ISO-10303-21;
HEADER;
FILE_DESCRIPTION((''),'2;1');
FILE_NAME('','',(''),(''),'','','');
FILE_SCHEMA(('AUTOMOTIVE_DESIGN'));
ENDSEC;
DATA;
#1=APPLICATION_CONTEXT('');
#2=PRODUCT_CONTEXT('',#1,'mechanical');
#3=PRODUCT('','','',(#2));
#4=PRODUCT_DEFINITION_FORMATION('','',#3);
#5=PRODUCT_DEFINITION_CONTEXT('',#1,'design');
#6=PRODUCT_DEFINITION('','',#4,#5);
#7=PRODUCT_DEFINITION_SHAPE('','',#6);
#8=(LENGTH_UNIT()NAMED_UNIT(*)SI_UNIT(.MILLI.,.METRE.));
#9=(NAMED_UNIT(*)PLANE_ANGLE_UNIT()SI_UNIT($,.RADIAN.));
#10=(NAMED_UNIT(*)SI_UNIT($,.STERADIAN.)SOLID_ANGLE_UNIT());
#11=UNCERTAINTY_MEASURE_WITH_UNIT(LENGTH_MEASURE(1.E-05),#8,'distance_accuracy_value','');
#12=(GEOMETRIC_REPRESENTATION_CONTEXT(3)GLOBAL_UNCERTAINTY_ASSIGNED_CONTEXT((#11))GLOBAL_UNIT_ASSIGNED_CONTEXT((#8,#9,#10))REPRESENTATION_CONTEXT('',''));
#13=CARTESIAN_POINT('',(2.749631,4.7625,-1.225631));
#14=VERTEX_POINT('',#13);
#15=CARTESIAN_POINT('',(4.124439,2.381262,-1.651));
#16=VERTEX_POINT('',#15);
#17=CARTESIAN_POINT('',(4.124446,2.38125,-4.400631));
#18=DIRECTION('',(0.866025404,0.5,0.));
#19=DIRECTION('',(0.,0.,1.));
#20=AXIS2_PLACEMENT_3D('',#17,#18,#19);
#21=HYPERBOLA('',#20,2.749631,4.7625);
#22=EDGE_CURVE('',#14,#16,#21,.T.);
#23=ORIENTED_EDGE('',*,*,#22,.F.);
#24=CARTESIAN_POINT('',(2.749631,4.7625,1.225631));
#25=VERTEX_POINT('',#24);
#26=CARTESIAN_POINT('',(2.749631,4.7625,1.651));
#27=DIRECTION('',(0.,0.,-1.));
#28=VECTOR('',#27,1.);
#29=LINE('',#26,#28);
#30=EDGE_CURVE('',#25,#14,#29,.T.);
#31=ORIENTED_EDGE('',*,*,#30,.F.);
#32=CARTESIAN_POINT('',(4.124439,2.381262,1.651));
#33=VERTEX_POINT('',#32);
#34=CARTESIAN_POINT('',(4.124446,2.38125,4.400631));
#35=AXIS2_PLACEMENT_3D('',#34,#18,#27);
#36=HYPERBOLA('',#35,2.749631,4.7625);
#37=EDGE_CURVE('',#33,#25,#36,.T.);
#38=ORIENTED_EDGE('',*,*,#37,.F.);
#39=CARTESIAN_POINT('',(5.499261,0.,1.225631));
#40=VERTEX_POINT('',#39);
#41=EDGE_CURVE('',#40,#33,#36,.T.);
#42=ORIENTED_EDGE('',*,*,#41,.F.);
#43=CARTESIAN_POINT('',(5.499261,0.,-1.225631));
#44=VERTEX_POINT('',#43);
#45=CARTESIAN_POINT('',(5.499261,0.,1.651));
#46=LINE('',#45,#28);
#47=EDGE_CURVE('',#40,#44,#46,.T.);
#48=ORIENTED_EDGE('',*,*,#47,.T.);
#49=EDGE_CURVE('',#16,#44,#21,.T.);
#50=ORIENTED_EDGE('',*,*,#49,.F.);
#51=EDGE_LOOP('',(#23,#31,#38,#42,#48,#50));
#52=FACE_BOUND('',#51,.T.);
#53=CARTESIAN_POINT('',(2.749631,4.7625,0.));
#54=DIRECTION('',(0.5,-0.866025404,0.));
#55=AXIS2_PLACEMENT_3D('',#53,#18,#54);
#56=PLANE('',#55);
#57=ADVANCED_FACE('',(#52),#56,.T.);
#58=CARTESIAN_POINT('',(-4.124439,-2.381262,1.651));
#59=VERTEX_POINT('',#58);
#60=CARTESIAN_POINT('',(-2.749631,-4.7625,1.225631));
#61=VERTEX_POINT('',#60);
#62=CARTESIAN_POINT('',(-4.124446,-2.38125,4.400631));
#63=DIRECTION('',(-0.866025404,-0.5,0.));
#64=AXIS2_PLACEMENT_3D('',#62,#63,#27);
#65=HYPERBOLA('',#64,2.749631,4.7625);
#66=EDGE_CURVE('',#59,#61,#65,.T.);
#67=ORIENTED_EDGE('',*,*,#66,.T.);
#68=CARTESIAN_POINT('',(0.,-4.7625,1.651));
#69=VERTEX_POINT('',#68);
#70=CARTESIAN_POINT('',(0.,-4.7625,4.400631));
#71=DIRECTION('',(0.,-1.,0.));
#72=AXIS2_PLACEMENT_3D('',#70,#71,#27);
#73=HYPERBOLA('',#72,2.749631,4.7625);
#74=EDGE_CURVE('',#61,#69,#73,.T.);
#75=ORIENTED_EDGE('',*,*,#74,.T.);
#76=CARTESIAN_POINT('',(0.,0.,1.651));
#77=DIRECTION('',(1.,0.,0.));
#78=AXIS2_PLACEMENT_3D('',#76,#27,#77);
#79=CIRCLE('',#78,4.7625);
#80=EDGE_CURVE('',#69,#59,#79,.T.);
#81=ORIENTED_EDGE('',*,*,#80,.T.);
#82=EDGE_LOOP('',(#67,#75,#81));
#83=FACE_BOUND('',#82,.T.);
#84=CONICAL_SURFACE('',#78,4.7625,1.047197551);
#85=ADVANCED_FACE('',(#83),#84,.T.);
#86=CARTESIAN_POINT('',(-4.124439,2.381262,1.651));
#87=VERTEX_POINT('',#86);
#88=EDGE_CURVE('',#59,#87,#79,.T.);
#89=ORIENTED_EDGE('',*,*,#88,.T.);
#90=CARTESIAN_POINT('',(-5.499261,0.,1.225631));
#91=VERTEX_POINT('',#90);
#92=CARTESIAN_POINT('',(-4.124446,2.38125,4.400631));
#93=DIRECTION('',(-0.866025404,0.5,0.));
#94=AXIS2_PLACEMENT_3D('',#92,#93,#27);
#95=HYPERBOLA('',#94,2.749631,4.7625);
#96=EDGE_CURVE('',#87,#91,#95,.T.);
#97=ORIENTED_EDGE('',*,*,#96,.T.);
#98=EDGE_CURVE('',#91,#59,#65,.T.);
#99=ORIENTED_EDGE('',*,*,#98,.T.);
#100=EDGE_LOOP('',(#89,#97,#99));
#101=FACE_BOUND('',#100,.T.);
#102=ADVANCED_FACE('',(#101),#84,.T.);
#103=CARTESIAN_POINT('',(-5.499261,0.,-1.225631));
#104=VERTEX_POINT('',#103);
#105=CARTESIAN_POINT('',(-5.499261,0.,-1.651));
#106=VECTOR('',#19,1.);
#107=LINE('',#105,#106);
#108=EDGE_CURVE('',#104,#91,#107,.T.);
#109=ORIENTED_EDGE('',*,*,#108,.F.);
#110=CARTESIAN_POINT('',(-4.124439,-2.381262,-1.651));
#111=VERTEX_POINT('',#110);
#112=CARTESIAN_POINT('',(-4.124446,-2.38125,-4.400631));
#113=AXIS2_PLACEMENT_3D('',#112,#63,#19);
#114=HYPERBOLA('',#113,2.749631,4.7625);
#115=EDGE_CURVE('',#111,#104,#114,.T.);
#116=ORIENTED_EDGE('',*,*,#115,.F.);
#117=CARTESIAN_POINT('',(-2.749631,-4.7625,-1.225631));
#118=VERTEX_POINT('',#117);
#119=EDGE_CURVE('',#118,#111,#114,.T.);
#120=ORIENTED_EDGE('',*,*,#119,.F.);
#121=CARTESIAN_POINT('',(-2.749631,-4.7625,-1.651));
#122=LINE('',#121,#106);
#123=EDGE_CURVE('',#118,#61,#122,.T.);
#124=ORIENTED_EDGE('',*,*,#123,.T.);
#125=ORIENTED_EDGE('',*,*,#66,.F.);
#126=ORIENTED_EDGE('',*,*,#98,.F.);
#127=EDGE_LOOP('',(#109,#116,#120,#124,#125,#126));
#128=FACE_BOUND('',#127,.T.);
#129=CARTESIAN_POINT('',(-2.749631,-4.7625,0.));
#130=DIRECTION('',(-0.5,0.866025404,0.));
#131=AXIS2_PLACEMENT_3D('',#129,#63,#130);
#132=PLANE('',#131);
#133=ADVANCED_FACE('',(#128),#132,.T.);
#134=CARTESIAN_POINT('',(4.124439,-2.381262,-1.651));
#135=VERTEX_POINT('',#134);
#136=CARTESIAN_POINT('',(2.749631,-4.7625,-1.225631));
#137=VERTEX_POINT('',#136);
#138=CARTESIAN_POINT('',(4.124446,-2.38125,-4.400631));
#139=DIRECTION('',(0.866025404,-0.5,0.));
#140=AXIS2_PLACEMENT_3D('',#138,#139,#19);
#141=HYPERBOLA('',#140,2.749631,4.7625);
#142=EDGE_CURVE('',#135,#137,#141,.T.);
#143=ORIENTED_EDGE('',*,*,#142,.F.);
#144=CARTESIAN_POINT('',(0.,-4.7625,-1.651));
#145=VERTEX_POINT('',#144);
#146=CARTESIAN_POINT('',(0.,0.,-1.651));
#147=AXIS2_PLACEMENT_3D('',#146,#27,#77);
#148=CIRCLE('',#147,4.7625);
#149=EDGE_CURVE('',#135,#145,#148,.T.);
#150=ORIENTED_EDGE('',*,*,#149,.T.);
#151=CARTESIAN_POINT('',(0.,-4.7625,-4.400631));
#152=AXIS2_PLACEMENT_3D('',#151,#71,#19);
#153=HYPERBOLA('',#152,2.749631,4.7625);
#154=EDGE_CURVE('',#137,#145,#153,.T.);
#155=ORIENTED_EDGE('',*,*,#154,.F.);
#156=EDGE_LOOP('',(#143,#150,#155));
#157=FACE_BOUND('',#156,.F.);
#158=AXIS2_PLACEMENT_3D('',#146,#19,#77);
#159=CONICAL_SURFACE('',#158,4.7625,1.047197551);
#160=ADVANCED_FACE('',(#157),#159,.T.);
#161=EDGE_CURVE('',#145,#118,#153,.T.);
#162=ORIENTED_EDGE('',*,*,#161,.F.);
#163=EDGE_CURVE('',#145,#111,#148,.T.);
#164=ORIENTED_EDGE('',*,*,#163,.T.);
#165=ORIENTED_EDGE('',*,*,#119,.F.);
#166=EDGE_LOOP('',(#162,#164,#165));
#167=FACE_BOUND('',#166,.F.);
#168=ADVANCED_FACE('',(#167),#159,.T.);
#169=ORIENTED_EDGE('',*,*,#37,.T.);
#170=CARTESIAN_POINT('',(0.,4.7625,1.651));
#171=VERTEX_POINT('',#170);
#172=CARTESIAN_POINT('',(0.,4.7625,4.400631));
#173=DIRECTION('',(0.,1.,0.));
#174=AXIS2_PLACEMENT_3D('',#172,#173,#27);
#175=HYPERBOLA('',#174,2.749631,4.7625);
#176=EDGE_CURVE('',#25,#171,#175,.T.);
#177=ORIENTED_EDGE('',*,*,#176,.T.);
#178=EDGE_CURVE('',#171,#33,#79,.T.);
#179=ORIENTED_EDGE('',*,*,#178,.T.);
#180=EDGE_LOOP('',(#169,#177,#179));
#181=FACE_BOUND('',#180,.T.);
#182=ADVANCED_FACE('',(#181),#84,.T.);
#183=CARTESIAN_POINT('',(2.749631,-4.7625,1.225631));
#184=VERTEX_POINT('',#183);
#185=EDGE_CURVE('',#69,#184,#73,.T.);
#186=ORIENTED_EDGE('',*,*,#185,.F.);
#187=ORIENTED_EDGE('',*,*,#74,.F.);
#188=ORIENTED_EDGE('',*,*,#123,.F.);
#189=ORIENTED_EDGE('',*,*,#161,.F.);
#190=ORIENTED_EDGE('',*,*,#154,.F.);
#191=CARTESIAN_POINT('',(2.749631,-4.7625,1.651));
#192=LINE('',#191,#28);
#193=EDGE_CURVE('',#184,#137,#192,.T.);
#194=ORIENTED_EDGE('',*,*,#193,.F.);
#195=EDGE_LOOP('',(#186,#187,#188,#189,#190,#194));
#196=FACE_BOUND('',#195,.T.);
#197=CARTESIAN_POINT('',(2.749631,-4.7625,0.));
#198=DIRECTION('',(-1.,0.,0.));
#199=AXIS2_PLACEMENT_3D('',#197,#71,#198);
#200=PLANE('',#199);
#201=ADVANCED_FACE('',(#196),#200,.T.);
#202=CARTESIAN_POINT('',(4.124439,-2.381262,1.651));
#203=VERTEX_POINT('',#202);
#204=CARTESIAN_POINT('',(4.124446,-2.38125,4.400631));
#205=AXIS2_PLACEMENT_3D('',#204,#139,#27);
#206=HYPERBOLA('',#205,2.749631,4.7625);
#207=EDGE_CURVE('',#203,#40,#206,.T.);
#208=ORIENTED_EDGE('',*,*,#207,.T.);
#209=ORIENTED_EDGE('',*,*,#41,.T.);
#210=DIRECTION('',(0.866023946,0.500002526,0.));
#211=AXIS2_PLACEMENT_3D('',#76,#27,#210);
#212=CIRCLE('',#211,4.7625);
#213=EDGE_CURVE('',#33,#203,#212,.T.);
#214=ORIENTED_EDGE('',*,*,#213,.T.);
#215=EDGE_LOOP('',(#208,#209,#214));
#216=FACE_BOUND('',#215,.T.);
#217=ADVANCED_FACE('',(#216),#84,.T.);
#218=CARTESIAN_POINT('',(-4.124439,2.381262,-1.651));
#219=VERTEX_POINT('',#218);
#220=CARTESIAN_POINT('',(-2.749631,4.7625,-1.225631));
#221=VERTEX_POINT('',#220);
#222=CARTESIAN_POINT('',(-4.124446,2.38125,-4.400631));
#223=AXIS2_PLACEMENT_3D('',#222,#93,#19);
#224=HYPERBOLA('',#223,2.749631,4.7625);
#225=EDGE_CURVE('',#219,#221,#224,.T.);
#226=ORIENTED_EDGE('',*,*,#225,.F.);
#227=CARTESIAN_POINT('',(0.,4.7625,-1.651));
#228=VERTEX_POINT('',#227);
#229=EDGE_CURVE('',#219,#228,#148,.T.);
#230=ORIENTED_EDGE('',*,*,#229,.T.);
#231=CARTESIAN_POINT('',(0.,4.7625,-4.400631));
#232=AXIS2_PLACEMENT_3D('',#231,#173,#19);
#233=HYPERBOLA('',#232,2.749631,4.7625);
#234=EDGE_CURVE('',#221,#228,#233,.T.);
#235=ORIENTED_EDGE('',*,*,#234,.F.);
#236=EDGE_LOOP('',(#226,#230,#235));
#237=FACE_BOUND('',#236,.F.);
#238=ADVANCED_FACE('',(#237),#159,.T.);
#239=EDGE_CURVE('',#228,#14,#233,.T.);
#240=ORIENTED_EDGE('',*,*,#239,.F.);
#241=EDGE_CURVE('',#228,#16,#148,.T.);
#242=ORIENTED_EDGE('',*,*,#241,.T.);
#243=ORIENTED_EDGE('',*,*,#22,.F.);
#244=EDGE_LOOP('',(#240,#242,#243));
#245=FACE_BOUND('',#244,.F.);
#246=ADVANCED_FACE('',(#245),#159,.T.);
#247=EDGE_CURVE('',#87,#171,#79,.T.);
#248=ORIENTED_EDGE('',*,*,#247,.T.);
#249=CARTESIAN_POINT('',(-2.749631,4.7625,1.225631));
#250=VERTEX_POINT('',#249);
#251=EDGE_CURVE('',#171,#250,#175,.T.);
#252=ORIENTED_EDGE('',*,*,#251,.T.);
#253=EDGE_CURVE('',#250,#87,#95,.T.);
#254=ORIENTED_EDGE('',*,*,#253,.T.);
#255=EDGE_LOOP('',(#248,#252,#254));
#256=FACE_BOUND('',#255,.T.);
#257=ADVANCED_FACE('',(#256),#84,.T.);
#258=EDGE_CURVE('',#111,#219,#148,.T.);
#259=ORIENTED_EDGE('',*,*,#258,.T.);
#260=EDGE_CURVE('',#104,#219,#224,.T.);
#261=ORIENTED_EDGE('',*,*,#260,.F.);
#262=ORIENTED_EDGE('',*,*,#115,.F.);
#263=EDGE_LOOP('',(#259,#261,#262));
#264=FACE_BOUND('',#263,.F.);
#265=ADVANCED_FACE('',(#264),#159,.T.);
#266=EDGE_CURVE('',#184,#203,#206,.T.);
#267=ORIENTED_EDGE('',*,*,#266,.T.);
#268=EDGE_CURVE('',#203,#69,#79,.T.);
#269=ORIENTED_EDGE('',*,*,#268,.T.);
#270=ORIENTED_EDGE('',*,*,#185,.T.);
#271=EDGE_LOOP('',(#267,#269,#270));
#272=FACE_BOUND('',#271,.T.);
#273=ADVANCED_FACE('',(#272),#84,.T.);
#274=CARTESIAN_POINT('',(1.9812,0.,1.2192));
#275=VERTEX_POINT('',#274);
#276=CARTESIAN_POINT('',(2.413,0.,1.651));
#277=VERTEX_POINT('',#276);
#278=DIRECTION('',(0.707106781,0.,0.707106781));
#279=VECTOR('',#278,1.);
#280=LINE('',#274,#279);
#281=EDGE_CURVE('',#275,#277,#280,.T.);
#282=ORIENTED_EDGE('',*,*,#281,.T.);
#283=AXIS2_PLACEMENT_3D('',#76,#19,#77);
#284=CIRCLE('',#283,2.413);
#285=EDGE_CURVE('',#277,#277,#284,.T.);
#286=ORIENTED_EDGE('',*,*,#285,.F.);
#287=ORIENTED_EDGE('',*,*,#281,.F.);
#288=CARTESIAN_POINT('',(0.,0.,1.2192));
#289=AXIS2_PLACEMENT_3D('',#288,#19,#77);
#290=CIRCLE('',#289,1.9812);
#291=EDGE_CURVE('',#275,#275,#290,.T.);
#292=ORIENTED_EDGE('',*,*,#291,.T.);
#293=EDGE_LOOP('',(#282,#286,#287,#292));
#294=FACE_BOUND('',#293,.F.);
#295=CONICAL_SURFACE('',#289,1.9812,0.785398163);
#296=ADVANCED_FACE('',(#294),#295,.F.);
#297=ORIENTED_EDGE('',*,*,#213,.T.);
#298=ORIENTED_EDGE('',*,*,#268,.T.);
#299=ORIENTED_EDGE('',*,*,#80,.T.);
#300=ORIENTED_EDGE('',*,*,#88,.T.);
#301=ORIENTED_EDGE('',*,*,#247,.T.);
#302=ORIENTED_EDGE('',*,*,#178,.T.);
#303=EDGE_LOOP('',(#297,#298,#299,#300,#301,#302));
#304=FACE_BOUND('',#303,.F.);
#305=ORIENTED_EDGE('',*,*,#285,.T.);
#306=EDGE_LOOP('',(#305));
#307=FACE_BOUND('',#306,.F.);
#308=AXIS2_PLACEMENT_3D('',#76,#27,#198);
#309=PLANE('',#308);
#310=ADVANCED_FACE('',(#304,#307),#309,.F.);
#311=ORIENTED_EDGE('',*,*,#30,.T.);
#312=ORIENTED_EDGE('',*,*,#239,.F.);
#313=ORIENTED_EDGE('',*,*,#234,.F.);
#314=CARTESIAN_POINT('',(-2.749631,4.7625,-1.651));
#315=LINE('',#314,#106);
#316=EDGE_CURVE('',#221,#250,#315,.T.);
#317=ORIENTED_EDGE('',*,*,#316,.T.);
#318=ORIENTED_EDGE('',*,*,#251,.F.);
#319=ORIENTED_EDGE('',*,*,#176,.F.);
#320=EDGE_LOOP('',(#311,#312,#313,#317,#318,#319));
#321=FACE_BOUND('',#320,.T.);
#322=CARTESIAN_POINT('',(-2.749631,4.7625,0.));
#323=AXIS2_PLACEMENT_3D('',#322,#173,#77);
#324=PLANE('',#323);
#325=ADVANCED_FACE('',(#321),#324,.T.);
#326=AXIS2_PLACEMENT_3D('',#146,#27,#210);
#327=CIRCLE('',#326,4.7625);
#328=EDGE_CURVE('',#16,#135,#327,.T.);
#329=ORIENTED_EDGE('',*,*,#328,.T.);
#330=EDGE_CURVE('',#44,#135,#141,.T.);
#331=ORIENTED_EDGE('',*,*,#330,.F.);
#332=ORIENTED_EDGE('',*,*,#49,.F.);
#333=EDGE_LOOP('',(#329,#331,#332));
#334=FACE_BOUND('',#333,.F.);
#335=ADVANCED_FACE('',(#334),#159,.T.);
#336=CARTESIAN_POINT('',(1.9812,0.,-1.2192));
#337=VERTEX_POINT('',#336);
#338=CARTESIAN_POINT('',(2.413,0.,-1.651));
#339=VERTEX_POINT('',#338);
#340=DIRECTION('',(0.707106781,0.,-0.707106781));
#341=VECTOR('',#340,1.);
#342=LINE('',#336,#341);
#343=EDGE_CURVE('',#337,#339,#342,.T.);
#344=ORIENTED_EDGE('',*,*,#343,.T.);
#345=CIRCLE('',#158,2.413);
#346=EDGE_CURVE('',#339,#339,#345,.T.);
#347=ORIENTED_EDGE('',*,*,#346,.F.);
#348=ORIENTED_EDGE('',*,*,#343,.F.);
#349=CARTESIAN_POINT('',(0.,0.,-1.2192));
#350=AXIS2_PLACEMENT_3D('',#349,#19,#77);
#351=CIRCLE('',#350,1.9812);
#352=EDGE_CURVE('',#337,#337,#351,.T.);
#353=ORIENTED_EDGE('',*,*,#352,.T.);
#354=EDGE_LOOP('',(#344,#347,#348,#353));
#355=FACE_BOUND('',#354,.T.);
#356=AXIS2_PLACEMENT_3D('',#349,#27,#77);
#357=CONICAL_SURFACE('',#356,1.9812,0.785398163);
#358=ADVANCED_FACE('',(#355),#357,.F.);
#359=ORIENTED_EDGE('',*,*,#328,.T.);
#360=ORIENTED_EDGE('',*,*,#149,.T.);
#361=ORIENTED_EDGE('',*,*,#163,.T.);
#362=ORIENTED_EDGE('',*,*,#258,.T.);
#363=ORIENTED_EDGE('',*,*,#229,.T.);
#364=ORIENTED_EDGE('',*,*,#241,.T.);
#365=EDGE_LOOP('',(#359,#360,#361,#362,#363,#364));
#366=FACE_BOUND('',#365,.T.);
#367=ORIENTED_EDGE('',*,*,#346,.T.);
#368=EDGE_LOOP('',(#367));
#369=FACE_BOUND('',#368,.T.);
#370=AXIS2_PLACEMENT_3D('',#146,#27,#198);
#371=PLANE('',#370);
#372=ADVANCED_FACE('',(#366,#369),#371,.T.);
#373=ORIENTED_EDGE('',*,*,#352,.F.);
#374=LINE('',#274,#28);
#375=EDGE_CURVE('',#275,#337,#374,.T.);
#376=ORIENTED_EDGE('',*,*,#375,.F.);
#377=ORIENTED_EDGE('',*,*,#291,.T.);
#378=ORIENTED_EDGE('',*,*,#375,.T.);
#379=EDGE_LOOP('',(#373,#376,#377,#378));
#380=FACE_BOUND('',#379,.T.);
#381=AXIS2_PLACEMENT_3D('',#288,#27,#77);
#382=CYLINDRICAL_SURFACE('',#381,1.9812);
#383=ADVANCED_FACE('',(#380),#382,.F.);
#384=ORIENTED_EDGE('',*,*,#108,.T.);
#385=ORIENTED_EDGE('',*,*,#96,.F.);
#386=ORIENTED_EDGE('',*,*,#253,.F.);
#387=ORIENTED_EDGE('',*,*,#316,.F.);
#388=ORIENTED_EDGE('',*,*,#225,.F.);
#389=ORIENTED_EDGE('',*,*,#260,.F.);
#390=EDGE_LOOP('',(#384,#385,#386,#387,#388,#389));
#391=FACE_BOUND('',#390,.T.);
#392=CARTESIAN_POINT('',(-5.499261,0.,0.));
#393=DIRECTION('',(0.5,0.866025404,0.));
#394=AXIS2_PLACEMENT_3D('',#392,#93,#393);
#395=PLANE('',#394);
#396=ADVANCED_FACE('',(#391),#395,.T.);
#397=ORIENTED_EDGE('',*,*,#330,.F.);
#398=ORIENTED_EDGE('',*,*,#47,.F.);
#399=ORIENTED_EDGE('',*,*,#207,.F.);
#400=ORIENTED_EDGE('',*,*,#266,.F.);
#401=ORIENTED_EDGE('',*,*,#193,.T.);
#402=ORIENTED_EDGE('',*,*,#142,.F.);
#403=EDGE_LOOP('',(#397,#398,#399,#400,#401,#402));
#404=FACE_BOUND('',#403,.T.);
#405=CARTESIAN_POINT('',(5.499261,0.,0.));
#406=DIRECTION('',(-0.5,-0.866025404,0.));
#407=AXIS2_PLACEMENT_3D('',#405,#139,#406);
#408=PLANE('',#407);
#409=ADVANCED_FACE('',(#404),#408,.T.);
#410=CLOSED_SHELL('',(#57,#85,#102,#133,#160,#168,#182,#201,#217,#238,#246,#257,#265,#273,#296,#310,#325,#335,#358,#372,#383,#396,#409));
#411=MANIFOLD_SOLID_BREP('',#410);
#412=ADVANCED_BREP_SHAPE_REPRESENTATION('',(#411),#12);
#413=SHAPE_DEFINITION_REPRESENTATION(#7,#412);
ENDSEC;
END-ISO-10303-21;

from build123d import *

# Parameters (mm, degrees)
BOSS_EXTRUDE1_DEPTH = 1.651


with BuildPart() as part:
    # Sketch1 → Boss-Extrude1 (new body, symmetric)
    with BuildSketch(Plane(origin=(0, 1.651, 0), x_dir=(-1, 0, 0), z_dir=(0, 0, -1))):
        Polygon((2.749630657, 3.1115), (-2.749630657, 3.1115), (-5.499261314, -1.651), (-2.749630657, -6.4135), (2.749630657, -6.4135), (5.499261314, -1.651), align=None)
    extrude(amount=BOSS_EXTRUDE1_DEPTH, both=True)

    # Sketch2 → Cut-Revolve1 (revolve, cut)
    with BuildSketch(Plane(origin=(0, 0, 0), x_dir=(-1, 0, 0), z_dir=(0, 1, 0))):
        Polygon((-5.499261314, -1.225630657), (-5.499261314, -1.651), (-4.7625, -1.651), align=None)
    cut_revolve1 = revolve(axis=Axis((0, 0, 0), (0, 0, -1)), mode=Mode.SUBTRACT)

    # Sketch4 → Cut-Revolve3 (revolve, cut)
    with BuildSketch(Plane(origin=(0, 0, 0), x_dir=(1, 0, 0), z_dir=(0, 1, 0))):
        Polygon((2.413, 1.651), (0, 1.651), (0, -1.2192), (1.9812, -1.2192), (1.9812, 1.2192), align=None)
    cut_revolve3 = revolve(axis=Axis((0, 0, -1.651), (0, 0, 1)), mode=Mode.SUBTRACT)

    # Mirror1: Cut-Revolve1, Cut-Revolve3 across plane
    add(cut_revolve1.mirror(Plane.XY), mode=Mode.SUBTRACT)
    add(cut_revolve3.mirror(Plane.XY), mode=Mode.SUBTRACT)


solid = part.part
